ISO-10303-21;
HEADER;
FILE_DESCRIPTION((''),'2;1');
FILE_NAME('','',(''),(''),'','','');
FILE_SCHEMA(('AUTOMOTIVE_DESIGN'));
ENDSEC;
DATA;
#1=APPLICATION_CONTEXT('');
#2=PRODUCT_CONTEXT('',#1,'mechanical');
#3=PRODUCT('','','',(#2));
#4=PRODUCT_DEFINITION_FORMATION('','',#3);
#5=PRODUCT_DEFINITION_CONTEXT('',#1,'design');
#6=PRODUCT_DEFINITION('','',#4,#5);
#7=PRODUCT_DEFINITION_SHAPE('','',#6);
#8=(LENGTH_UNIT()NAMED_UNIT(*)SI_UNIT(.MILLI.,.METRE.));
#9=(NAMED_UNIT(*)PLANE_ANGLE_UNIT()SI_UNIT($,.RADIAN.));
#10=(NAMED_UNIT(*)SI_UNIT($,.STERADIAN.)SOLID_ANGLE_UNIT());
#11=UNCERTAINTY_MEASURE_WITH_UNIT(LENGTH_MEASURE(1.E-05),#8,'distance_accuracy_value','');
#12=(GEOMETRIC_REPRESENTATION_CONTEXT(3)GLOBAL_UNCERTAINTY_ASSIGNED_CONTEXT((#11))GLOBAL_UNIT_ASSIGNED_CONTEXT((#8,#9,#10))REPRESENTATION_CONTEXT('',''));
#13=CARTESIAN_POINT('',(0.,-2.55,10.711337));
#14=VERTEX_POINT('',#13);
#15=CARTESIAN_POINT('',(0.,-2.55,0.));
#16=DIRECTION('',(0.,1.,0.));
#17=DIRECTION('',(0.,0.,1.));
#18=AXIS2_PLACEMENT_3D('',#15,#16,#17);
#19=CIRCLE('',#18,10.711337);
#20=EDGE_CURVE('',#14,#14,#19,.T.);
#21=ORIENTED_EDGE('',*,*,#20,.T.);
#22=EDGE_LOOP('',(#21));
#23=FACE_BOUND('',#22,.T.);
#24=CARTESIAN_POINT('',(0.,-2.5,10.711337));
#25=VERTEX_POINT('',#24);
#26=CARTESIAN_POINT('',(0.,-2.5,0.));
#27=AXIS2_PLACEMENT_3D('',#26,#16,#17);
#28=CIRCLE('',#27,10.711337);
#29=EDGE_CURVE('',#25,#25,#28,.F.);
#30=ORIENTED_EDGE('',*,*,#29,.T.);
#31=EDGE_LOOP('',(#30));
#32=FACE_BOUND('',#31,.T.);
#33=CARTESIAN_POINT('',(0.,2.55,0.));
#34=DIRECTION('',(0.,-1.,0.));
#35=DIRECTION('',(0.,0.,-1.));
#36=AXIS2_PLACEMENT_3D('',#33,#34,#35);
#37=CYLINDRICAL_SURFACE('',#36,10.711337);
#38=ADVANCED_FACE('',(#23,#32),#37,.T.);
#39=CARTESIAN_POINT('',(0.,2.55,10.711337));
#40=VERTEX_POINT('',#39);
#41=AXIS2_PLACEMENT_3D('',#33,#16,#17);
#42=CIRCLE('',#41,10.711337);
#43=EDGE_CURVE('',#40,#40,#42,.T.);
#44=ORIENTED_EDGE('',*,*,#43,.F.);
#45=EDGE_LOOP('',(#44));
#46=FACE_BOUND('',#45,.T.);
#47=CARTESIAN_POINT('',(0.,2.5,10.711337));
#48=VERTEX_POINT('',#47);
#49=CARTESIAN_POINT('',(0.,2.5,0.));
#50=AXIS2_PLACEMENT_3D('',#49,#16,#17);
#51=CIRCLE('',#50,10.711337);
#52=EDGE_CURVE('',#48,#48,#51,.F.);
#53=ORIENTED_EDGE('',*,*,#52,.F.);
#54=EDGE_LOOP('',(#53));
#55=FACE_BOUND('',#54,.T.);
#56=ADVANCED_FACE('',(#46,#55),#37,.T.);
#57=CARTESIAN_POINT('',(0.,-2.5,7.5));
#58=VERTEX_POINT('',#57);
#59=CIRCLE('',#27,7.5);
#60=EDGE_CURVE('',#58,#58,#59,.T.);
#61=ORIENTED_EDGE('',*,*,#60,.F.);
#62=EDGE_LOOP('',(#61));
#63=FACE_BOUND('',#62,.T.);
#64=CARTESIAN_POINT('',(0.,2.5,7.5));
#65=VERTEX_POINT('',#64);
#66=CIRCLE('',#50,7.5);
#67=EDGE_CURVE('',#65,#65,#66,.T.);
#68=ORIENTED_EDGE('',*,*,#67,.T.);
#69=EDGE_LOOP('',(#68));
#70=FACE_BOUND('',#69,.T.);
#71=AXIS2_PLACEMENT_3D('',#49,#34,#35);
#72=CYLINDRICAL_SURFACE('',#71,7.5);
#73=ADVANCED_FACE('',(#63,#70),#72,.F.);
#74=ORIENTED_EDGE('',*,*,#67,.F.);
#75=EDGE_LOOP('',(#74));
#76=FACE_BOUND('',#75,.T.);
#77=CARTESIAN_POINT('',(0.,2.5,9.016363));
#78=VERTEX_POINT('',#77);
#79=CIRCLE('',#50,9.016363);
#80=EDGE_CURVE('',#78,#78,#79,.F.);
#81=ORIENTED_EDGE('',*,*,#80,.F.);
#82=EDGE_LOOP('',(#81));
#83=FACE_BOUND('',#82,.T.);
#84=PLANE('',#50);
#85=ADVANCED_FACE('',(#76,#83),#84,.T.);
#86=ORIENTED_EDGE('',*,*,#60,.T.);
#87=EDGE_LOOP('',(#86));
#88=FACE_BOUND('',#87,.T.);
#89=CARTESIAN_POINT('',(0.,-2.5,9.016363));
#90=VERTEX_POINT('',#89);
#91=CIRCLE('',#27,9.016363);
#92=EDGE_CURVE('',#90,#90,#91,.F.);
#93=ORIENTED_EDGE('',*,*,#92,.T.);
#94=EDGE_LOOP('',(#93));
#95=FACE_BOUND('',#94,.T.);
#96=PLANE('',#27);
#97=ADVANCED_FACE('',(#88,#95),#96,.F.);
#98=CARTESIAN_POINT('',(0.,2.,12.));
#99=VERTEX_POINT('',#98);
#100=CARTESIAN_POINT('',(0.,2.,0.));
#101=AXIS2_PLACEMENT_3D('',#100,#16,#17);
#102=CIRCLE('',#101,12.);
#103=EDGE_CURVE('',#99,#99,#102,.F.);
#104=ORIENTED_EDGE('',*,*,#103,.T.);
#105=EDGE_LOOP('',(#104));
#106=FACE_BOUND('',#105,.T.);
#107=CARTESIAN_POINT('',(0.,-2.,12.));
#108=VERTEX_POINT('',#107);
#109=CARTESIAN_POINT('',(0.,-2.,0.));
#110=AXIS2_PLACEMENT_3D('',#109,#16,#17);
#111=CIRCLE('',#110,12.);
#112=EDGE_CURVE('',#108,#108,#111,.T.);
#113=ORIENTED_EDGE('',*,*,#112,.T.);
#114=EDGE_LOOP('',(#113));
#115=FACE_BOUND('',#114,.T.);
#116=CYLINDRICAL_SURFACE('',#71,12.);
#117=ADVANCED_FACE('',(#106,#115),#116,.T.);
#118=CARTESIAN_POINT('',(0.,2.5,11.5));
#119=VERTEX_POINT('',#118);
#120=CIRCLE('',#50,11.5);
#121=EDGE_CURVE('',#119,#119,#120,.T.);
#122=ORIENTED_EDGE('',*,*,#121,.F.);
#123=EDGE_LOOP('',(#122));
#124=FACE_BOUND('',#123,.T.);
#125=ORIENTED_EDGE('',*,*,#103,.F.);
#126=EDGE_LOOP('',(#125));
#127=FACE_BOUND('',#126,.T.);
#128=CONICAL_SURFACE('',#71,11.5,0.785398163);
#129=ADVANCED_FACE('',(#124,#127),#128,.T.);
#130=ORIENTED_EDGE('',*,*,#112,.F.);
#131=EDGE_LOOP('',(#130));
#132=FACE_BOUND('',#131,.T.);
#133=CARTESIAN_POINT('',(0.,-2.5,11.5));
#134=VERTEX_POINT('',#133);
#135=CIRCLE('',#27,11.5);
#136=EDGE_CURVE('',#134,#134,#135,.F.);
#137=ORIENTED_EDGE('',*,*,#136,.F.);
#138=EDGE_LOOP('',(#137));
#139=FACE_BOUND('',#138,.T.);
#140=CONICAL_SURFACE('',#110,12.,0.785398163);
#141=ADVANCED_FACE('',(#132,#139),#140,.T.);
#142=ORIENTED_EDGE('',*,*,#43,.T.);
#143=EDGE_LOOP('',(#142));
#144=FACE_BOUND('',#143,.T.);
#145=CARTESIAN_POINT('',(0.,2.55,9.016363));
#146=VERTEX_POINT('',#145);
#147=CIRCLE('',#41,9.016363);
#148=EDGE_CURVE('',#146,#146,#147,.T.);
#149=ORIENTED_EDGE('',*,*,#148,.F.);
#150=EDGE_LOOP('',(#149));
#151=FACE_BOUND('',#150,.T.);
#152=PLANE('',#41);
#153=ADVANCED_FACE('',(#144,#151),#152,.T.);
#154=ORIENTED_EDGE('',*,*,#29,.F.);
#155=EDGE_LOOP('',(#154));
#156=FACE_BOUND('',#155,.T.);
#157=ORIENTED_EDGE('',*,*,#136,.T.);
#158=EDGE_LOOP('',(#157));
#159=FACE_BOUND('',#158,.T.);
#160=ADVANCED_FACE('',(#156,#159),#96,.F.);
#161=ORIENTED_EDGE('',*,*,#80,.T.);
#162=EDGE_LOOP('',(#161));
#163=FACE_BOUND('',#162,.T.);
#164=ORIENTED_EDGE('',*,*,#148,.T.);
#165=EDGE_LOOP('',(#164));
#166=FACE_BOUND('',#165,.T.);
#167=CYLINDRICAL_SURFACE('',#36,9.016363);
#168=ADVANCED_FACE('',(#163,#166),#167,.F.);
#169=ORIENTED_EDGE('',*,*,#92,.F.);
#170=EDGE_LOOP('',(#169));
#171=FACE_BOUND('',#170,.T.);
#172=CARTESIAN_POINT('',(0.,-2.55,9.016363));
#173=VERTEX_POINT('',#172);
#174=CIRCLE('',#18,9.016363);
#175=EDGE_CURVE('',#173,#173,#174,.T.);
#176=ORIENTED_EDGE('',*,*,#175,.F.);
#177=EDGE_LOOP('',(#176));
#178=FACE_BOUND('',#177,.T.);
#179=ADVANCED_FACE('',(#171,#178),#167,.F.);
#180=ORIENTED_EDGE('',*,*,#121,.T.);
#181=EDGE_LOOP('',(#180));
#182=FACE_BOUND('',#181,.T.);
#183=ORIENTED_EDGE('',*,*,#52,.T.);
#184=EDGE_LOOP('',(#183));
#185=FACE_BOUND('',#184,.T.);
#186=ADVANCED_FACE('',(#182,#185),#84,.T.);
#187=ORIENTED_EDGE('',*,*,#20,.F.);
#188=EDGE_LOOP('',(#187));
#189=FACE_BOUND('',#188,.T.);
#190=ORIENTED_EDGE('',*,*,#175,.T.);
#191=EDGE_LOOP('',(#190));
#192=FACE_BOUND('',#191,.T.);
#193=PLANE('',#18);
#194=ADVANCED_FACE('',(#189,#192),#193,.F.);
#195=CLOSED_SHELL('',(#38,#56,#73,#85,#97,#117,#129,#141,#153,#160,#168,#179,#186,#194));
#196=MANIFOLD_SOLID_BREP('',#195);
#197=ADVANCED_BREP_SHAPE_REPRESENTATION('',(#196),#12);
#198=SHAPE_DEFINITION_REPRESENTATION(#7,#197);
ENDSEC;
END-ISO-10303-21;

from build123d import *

# Parameters (mm, degrees)
CROQUIS1_R              = 12
CROQUIS1_R_2            = 7.5
SALIENTE_EXTRUIR1_DEPTH = 2.5
CHAFL_N1_SIZE           = 0.5
CROQUIS2_R              = 10.711337482
CROQUIS2_R_2            = 9.016362729
SALIENTE_EXTRUIR2_DEPTH = 2.55


with BuildPart() as part:
    # Croquis1 → Saliente-Extruir1 (new body, symmetric)
    with BuildSketch(Plane(origin=(0, 0, 0), x_dir=(1, 0, 0), z_dir=(0, 1, 0))):
        Circle(CROQUIS1_R)
        Circle(CROQUIS1_R_2, mode=Mode.SUBTRACT)
    extrude(amount=SALIENTE_EXTRUIR1_DEPTH, both=True)

    # Chaflán1
    chafl_n1_edges = [part.edges().sort_by_distance(p)[0] for p in [
        (-12, -2.5, 0),
        (-12, 2.5, 0),
    ]]
    chamfer(chafl_n1_edges, length=CHAFL_N1_SIZE)

    # Croquis2 → Saliente-Extruir2 (add, symmetric)
    with BuildSketch(Plane(origin=(0, 0, 0), x_dir=(1, 0, 0), z_dir=(0, 1, 0))):
        Circle(CROQUIS2_R)
        Circle(CROQUIS2_R_2, mode=Mode.SUBTRACT)
    extrude(amount=SALIENTE_EXTRUIR2_DEPTH, both=True)


solid = part.part
